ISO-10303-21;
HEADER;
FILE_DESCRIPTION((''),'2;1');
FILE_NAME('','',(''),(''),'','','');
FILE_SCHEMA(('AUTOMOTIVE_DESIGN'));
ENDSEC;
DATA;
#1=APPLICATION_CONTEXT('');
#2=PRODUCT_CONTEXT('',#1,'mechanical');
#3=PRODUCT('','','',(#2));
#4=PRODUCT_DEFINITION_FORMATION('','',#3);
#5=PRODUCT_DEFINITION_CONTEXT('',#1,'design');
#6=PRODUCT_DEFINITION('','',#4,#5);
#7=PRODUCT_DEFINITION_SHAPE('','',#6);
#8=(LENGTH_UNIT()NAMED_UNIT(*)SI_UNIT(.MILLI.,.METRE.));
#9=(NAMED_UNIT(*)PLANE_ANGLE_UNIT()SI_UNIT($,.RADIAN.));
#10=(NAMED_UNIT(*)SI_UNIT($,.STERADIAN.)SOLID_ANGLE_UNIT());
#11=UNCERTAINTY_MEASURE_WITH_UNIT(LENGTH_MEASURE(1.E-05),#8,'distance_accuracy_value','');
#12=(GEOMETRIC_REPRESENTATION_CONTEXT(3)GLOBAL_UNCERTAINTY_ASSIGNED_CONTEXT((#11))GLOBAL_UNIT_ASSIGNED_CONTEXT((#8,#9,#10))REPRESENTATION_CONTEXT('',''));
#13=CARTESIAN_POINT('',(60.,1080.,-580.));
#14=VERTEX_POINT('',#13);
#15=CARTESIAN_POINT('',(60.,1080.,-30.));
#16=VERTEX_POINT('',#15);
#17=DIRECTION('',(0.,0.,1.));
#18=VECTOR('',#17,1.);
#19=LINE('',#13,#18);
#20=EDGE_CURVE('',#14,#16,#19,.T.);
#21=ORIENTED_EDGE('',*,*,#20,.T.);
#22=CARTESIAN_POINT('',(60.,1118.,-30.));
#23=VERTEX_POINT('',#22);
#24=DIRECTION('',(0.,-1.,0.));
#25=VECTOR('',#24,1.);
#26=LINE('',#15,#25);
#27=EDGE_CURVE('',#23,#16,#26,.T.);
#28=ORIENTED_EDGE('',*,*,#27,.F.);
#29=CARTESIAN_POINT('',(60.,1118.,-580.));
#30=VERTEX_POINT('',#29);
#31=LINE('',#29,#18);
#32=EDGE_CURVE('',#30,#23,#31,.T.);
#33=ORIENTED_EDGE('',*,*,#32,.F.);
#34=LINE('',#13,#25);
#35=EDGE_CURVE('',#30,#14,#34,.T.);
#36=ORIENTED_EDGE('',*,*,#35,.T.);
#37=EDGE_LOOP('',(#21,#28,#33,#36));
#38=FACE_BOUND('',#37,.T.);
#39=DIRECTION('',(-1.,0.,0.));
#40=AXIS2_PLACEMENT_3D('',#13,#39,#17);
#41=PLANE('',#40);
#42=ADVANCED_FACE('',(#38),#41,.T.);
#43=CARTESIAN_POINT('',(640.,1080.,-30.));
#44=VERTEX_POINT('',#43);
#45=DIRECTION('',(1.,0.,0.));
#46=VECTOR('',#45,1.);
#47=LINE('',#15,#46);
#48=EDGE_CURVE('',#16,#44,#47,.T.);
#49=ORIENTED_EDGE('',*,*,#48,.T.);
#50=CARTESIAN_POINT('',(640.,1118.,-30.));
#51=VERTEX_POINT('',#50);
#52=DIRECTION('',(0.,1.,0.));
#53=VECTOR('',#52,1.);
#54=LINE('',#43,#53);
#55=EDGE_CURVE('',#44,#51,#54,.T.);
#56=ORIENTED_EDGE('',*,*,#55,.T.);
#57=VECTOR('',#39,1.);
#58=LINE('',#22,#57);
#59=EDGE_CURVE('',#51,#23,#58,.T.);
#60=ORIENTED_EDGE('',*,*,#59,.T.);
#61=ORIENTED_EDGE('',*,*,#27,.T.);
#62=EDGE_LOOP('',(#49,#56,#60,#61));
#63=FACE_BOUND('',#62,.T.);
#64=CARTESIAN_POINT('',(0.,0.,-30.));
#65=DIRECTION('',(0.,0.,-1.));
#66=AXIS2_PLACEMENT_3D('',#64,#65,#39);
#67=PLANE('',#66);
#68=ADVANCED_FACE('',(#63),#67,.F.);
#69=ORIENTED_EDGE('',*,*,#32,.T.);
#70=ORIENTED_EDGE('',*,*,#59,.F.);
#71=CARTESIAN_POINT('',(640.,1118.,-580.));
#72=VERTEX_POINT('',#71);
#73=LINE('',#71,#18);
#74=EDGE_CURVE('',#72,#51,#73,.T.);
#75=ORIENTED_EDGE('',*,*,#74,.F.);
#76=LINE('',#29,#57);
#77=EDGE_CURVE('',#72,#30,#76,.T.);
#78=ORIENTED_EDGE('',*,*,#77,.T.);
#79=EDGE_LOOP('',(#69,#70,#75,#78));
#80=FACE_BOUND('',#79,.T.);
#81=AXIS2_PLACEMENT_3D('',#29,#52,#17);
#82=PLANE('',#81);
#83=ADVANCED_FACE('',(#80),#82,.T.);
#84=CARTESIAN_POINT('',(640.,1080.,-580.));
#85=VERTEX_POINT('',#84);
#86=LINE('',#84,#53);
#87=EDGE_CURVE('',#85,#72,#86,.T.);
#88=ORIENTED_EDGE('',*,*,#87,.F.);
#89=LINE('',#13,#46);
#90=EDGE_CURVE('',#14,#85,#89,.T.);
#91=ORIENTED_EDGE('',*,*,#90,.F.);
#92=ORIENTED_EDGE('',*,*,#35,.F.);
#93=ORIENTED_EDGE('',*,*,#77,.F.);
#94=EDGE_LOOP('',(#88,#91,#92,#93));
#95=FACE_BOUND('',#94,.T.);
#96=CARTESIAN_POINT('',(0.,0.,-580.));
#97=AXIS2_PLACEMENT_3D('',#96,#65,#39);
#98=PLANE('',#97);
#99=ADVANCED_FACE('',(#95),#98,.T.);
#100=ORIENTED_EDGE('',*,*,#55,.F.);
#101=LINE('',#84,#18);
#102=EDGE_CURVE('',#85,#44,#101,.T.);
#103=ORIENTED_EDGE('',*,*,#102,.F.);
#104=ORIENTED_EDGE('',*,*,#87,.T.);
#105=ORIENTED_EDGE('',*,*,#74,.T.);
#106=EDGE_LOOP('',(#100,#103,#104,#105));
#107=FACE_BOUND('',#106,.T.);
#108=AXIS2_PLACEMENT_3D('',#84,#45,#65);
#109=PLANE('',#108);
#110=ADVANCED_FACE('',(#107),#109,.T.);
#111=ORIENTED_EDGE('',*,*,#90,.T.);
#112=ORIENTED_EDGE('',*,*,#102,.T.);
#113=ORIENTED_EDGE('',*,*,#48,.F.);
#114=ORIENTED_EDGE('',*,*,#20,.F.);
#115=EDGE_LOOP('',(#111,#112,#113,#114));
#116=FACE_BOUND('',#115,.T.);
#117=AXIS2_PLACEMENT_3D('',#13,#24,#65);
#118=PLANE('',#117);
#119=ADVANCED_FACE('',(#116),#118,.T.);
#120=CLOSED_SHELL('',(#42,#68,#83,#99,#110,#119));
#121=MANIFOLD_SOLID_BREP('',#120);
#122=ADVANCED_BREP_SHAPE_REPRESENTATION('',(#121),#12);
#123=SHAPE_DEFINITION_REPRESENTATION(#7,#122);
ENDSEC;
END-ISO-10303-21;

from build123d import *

# Parameters (mm, degrees)
OVEN_SICAK_DOLAP_PU_UST_1_START = -30
SKETCH1_W                       = 580
SKETCH1_H                       = 38
OVEN_SICAK_DOLAP_PU_UST_1_DEPTH = 550


with BuildPart() as part:
    # Sketch1 → OVEN_sicak_dolap_pu_ust_1 (new body)
    with BuildSketch(Plane.XY.offset(OVEN_SICAK_DOLAP_PU_UST_1_START)):
        with Locations((350, 1099)):
            Rectangle(SKETCH1_W, SKETCH1_H)
    extrude(amount=-OVEN_SICAK_DOLAP_PU_UST_1_DEPTH)


solid = part.part
